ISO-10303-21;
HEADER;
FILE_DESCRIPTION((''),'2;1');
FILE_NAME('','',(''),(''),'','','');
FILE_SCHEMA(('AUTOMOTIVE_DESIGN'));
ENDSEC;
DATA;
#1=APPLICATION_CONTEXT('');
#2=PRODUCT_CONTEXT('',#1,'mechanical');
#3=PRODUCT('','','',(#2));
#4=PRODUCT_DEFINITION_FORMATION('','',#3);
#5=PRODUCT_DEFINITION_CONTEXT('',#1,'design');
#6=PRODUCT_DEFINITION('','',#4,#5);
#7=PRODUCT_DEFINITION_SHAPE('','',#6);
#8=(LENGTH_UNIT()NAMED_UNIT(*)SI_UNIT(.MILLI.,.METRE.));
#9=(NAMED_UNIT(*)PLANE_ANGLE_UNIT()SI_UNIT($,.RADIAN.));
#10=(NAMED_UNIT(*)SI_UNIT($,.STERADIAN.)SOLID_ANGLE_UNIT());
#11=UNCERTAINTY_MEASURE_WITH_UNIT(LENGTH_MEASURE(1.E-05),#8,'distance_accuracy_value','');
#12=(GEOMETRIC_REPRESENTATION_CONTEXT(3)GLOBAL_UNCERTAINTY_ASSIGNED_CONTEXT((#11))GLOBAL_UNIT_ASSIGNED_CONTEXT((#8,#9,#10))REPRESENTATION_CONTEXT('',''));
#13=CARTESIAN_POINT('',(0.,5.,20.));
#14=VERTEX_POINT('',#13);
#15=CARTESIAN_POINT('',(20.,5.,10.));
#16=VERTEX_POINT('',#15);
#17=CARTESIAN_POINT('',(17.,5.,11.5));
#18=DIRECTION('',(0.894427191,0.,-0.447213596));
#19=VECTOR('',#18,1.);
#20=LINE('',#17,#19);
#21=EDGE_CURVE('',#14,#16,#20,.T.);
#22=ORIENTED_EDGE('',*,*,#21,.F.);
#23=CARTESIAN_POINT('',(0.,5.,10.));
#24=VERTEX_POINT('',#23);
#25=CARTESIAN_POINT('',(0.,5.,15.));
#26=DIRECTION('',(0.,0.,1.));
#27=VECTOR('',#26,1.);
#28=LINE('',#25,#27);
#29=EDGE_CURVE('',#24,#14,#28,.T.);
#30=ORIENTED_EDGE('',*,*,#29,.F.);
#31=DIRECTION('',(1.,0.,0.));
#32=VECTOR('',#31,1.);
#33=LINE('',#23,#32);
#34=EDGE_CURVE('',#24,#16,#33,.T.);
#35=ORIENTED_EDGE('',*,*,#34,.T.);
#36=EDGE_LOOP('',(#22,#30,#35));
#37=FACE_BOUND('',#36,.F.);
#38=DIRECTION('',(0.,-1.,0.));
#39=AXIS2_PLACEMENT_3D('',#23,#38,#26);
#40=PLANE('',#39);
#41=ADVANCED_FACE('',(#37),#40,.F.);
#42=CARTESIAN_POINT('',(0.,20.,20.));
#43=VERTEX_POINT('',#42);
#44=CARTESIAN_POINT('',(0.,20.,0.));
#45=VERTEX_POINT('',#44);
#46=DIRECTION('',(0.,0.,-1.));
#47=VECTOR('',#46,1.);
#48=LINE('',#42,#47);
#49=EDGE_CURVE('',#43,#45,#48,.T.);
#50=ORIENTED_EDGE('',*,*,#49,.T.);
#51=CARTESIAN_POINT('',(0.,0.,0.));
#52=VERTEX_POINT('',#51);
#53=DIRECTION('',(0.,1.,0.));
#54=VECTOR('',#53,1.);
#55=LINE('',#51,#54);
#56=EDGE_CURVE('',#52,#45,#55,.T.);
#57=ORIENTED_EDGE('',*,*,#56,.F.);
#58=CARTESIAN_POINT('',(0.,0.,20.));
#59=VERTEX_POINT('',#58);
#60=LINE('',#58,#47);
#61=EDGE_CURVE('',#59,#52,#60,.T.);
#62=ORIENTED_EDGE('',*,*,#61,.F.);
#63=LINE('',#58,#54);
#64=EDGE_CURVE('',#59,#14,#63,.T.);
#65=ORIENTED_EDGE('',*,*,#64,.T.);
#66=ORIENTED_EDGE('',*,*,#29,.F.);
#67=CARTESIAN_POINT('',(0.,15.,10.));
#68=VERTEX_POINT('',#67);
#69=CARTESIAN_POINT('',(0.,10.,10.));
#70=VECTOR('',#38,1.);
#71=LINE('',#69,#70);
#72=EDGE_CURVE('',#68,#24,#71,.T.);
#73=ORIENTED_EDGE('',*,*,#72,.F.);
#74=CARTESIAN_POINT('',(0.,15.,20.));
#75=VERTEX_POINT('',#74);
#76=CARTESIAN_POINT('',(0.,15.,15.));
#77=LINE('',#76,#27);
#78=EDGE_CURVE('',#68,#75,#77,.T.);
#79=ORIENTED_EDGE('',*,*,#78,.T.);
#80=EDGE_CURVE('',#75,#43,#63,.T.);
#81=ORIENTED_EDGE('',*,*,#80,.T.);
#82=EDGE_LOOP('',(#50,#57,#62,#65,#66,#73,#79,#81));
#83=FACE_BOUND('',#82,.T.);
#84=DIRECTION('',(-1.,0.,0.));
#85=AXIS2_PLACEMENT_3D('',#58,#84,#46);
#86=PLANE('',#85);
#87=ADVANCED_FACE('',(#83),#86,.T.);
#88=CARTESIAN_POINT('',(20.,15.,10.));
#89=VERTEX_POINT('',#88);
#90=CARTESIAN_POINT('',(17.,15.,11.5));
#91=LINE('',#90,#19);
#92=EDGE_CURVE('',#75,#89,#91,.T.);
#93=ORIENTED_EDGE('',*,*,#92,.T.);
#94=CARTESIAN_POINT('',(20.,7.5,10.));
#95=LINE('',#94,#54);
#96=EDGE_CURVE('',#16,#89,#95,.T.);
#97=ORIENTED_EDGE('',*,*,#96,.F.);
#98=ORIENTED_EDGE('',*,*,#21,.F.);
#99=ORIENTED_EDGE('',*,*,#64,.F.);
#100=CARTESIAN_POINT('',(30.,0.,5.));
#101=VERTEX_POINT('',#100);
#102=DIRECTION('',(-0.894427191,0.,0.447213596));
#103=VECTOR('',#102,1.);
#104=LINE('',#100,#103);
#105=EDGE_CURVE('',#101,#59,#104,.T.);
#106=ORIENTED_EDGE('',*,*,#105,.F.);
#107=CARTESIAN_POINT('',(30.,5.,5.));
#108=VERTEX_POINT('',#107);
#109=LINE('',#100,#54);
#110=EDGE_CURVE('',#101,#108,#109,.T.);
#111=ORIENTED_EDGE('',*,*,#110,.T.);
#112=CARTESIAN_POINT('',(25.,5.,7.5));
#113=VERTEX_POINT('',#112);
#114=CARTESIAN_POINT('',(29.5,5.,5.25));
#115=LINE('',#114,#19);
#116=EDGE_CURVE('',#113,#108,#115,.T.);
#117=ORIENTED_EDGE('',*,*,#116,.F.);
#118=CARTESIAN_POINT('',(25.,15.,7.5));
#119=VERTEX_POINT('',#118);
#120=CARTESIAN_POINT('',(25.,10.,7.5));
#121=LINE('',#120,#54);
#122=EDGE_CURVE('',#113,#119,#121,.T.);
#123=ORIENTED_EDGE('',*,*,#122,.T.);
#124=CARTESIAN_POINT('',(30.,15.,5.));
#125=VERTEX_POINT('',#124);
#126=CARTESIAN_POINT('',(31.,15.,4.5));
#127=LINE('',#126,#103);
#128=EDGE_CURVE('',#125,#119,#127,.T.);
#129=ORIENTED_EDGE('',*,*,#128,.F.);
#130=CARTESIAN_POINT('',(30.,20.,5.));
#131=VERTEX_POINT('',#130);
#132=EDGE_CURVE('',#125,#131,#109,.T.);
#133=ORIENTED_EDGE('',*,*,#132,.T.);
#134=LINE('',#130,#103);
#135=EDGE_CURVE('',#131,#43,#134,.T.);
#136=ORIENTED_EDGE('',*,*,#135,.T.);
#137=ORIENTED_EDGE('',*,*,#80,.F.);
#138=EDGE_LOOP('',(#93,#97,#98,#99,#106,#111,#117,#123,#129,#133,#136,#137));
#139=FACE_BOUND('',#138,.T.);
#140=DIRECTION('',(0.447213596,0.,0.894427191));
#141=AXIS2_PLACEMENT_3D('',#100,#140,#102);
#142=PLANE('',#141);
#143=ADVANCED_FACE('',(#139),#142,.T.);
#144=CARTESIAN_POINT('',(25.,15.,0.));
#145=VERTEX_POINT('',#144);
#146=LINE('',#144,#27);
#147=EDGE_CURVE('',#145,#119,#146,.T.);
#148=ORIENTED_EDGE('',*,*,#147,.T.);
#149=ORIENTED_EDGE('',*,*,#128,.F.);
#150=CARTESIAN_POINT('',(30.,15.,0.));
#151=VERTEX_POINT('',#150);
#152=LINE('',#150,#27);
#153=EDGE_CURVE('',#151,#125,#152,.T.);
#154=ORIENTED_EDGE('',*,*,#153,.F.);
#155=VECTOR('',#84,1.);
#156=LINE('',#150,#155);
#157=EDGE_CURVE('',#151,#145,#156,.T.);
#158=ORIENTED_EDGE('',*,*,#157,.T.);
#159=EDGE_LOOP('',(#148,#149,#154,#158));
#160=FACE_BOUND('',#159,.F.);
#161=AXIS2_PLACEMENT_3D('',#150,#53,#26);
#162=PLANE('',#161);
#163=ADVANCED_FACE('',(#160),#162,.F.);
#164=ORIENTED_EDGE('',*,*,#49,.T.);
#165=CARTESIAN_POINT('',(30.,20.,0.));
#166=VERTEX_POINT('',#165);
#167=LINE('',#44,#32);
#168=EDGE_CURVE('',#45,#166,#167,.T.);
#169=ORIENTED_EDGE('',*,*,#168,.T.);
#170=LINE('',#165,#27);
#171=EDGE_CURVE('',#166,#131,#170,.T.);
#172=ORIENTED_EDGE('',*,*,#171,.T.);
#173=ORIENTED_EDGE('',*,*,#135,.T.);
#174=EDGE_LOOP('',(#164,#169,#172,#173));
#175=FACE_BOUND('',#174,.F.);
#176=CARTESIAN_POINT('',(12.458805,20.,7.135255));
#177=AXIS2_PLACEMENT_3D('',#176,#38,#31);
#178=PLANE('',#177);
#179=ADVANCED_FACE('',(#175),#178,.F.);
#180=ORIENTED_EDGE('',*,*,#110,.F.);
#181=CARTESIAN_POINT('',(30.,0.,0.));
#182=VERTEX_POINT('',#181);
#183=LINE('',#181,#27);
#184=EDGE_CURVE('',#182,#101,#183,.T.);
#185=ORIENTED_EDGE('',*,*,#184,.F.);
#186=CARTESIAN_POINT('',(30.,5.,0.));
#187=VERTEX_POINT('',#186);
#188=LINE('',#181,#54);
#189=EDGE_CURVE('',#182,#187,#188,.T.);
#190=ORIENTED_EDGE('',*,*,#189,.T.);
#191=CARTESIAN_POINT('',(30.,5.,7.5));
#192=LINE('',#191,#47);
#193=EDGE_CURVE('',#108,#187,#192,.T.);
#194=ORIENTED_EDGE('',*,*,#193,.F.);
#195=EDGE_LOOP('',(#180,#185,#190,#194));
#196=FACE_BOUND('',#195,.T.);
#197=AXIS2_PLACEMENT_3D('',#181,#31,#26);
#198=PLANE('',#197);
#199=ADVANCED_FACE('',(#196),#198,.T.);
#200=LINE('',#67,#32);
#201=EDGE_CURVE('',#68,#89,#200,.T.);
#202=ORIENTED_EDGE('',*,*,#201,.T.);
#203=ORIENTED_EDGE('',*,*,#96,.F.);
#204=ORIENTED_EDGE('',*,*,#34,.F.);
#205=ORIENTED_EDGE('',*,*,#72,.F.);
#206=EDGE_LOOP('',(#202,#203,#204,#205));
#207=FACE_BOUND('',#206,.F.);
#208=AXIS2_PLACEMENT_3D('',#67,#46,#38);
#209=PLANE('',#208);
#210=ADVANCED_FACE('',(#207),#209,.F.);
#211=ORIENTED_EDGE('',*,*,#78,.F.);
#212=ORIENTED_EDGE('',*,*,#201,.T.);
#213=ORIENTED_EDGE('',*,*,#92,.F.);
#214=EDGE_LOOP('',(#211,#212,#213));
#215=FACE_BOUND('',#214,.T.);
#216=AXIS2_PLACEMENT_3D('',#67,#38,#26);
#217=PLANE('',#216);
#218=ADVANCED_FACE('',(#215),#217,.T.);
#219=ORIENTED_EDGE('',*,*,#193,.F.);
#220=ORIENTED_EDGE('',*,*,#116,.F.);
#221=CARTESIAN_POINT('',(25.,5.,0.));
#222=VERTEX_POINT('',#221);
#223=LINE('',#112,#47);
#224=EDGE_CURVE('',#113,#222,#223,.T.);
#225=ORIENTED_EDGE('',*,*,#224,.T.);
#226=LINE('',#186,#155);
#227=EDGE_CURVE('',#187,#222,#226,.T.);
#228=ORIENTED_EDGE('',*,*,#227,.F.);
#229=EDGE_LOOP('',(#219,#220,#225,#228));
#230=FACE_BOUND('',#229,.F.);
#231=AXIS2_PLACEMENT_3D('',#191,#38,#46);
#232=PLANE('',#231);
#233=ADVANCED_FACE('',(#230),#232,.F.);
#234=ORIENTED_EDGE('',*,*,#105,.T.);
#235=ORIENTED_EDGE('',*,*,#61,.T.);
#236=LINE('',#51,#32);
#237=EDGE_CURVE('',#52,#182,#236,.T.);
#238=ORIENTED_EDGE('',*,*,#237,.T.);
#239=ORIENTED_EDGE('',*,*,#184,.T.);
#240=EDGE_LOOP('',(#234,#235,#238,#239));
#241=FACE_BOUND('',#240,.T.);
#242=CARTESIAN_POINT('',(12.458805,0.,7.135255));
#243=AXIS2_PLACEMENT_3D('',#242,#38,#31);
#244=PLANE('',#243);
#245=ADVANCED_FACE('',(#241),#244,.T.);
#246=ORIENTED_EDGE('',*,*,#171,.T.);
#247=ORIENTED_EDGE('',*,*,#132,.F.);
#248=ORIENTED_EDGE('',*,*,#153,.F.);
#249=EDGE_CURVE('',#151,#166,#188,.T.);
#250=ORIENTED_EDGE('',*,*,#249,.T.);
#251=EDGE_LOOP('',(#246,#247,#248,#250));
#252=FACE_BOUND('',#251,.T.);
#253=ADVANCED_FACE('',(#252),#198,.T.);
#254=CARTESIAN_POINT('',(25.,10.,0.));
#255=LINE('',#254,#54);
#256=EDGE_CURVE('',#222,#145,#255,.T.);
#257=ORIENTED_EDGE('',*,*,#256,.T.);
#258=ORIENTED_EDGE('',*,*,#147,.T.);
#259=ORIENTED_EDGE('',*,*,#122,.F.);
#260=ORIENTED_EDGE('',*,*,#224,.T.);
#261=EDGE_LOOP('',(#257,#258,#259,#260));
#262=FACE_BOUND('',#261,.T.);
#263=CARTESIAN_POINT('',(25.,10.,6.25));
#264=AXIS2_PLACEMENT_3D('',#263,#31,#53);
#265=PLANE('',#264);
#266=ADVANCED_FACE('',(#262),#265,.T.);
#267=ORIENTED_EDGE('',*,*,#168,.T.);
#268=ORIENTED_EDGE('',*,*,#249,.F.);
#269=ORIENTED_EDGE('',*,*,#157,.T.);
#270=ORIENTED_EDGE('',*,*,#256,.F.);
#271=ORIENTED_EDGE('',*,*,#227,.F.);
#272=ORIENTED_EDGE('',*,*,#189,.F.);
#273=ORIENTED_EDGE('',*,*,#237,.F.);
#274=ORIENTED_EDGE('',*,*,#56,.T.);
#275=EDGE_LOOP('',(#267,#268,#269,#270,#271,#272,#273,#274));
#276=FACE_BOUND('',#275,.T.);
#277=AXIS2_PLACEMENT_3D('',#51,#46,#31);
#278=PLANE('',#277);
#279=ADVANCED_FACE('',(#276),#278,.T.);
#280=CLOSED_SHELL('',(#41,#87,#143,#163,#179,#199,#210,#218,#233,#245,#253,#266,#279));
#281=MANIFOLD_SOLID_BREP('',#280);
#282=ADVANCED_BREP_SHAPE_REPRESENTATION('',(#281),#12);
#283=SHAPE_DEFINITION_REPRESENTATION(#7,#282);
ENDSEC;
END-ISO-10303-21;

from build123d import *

# Parameters (mm, degrees)
F1_DEPTH = 20
F2_W     = 10
F2_H     = 2.5
F2_H_2   = 5
F3_DEPTH = 5
F4_W     = 10
F4_H     = 10
F5_DEPTH = 30.001


with BuildPart() as f1:
    # F0 (on Front) → F1 (new body)
    with BuildSketch(Plane.XZ):
        Polygon((0, 20), (0, 0), (30, 0), (30, 5), align=None)
    extrude(amount=-F1_DEPTH)

    # F2 (on face) → F3 (cut)
    with BuildSketch(Plane.YZ.offset(30)):
        with Locations((10, 6.25)):
            Rectangle(F2_W, F2_H)
        with Locations((10, 2.5)):
            Rectangle(F2_W, F2_H_2)
    extrude(amount=-F3_DEPTH, mode=Mode.SUBTRACT)

    # F4 (on face) → F5 (cut, through all)
    with BuildSketch(Plane(origin=(0, 0, 0), x_dir=(0, -1, 0), z_dir=(-1, 0, 0))):
        with Locations((-10, 15)):
            Rectangle(F4_W, F4_H)
    extrude(amount=-F5_DEPTH, mode=Mode.SUBTRACT)


solid = f1.part
